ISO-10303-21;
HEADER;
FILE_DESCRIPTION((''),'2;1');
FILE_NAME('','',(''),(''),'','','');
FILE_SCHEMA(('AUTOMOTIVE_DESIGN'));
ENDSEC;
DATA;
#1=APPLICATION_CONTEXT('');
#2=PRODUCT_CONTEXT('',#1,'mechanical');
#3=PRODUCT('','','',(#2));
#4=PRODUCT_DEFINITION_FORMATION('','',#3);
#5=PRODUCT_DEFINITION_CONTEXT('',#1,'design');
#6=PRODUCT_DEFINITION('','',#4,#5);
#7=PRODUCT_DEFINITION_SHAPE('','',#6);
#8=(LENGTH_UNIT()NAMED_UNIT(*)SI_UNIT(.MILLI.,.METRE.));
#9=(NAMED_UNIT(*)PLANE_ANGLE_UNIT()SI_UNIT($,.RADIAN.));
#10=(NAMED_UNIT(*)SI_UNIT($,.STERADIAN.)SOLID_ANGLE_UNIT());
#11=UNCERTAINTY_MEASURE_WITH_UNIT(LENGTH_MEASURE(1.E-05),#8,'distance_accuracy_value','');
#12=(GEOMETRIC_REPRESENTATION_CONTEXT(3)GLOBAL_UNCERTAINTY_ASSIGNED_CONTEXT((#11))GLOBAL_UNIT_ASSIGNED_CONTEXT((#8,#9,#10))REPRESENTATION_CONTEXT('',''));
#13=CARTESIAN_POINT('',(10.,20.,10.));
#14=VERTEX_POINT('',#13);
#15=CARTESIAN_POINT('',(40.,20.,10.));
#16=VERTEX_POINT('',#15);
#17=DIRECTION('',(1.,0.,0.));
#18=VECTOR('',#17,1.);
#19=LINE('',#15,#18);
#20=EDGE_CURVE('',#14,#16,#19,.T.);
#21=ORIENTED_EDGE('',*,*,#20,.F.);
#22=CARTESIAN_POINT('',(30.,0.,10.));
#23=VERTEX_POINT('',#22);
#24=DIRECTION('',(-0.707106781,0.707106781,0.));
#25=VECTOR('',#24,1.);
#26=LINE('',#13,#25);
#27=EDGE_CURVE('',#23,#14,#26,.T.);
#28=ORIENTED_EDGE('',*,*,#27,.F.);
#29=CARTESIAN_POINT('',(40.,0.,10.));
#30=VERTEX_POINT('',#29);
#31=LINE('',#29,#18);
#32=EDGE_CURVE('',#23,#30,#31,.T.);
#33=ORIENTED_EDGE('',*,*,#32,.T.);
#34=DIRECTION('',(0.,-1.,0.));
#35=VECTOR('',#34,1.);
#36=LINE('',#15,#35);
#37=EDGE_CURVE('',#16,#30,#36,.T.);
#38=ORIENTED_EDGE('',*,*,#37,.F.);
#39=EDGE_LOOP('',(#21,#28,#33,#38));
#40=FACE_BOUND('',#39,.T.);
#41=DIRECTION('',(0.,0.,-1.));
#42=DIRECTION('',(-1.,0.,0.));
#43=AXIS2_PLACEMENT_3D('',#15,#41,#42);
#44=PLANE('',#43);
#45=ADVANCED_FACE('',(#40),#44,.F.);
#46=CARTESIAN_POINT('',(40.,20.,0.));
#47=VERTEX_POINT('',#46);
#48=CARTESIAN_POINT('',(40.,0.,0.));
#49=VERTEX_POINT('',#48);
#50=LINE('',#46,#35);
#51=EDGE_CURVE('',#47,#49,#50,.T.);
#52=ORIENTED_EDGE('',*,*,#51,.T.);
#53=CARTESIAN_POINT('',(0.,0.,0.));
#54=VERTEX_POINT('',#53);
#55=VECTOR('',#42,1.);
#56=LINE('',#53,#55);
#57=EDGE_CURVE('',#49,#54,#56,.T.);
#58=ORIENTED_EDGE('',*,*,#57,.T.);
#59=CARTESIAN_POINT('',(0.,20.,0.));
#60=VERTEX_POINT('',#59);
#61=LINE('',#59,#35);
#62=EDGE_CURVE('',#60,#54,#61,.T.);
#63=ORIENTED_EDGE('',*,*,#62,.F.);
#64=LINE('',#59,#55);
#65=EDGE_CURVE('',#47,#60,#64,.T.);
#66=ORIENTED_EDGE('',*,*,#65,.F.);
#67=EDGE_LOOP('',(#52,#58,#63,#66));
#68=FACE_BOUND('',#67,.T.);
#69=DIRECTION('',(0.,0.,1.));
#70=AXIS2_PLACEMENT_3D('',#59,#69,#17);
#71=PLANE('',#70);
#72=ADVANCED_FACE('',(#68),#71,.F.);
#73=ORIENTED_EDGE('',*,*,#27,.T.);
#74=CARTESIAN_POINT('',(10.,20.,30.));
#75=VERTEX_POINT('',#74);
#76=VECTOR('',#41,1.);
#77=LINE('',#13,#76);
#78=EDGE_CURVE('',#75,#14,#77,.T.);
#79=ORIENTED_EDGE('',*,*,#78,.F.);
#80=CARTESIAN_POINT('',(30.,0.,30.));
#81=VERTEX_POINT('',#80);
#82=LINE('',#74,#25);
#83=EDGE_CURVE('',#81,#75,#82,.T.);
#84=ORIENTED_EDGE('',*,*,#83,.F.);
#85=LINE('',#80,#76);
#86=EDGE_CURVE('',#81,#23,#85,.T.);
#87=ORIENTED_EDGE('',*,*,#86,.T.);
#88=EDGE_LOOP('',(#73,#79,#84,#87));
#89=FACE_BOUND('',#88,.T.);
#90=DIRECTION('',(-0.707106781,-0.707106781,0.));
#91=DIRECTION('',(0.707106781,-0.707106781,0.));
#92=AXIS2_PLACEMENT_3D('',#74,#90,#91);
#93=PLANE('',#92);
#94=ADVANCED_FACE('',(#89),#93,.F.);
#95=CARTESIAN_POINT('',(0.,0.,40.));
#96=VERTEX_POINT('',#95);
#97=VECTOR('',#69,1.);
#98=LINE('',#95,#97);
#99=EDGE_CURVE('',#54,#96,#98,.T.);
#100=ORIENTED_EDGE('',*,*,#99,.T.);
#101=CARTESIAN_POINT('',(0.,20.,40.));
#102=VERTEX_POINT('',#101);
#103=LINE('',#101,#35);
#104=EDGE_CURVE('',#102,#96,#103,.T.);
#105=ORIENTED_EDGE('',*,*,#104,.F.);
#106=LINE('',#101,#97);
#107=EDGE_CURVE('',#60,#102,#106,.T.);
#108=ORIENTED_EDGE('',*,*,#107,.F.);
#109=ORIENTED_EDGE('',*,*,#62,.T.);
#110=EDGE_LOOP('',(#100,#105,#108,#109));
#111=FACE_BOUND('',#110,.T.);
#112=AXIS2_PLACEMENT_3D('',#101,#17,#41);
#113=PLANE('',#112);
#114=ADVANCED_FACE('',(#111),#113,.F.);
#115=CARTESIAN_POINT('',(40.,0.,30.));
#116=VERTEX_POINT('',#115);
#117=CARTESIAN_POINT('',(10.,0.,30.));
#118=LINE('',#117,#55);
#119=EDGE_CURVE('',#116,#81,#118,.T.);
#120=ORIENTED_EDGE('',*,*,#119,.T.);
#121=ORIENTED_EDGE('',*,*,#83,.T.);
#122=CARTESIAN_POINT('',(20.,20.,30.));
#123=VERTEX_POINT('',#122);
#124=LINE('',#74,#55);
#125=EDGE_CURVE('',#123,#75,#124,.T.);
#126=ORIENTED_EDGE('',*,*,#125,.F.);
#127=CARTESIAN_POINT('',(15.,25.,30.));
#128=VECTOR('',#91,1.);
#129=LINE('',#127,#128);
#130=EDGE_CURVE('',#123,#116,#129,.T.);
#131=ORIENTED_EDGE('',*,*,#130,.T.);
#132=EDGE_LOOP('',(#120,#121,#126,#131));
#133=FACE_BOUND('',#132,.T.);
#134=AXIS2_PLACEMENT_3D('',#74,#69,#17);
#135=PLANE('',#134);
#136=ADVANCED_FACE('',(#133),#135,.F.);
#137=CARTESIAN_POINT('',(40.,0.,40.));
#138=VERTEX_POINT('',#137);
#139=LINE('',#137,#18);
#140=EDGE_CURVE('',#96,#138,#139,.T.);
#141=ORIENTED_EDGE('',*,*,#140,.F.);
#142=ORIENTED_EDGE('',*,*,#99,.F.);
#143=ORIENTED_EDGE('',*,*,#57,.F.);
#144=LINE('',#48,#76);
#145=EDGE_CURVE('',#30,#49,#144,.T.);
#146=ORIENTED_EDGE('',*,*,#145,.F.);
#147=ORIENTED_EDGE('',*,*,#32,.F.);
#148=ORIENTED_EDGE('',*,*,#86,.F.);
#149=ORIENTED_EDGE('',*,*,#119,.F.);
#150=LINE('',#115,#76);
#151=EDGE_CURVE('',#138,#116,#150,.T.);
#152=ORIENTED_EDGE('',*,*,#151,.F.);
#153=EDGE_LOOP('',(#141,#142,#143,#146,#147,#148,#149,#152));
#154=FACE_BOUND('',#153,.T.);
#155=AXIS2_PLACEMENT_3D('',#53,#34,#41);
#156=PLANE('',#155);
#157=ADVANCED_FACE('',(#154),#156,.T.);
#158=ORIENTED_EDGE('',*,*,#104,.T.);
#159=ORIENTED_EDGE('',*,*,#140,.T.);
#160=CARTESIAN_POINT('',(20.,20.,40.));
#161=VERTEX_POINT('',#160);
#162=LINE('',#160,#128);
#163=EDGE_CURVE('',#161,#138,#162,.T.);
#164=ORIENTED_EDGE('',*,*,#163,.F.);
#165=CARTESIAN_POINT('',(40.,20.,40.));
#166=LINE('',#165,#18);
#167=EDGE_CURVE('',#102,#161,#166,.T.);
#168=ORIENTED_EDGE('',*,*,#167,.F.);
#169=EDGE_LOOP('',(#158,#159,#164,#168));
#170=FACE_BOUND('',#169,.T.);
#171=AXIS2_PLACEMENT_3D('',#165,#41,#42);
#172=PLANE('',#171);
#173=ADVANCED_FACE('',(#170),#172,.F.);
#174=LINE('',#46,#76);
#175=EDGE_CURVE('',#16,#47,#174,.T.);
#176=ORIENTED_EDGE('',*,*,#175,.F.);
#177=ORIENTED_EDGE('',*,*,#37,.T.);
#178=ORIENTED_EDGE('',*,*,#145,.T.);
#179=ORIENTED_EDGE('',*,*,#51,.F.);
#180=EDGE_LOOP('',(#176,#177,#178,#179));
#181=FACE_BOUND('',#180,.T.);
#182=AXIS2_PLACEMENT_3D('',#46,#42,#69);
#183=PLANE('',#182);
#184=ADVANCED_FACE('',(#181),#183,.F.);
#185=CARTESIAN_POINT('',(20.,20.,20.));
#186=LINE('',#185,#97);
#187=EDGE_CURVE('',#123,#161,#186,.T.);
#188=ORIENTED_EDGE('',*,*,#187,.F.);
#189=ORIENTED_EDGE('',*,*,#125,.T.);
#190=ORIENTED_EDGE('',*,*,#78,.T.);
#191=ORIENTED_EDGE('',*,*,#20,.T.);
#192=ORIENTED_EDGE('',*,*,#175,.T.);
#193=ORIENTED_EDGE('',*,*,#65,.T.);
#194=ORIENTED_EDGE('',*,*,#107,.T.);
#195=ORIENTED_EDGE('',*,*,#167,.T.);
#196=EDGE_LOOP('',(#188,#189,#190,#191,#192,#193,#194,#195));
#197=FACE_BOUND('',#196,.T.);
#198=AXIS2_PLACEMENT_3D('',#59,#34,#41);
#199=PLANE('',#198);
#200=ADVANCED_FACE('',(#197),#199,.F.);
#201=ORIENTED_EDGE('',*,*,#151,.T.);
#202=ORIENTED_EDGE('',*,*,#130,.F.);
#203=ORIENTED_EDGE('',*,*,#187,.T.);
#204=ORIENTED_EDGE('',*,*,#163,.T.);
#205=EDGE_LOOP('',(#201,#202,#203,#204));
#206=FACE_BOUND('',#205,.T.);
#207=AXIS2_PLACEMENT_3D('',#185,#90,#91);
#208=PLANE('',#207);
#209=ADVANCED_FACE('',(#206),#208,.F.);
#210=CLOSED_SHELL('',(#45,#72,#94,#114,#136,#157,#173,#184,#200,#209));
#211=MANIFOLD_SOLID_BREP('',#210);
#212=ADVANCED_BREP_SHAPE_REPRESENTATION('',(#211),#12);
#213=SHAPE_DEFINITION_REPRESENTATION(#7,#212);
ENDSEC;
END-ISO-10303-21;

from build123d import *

# Parameters (mm, degrees)
EXTRUDE_1_DEPTH     = 20
EXTRUDE_2_DEPTH     = 20
CUT_EXTRUDE_1_DEPTH = 20


with BuildPart() as part:
    # 草圖1 → 填料-伸長1 (new body)
    with BuildSketch(Plane(origin=(0, 0, 0), x_dir=(1, 0, 0), z_dir=(0, 1, 0))):
        Polygon((0, 0), (40, 0), (40, -10), (10, -10), (10, -30), (40, -30), (40, -40), (0, -40), align=None)
    extrude(amount=EXTRUDE_1_DEPTH)

    # 草圖2 → 填料-伸長2 (add)
    with BuildSketch(Plane.XY.offset(10)):
        Polygon((10, 20), (30, 0), (10, 0), align=None)
    extrude(amount=EXTRUDE_2_DEPTH)

    # 草圖3 → 除料-伸長1 (cut)
    with BuildSketch(Plane.XY.offset(40)):
        Polygon((20, 20), (40, 0), (40, 20), align=None)
    extrude(amount=-CUT_EXTRUDE_1_DEPTH, mode=Mode.SUBTRACT)


solid = part.part
